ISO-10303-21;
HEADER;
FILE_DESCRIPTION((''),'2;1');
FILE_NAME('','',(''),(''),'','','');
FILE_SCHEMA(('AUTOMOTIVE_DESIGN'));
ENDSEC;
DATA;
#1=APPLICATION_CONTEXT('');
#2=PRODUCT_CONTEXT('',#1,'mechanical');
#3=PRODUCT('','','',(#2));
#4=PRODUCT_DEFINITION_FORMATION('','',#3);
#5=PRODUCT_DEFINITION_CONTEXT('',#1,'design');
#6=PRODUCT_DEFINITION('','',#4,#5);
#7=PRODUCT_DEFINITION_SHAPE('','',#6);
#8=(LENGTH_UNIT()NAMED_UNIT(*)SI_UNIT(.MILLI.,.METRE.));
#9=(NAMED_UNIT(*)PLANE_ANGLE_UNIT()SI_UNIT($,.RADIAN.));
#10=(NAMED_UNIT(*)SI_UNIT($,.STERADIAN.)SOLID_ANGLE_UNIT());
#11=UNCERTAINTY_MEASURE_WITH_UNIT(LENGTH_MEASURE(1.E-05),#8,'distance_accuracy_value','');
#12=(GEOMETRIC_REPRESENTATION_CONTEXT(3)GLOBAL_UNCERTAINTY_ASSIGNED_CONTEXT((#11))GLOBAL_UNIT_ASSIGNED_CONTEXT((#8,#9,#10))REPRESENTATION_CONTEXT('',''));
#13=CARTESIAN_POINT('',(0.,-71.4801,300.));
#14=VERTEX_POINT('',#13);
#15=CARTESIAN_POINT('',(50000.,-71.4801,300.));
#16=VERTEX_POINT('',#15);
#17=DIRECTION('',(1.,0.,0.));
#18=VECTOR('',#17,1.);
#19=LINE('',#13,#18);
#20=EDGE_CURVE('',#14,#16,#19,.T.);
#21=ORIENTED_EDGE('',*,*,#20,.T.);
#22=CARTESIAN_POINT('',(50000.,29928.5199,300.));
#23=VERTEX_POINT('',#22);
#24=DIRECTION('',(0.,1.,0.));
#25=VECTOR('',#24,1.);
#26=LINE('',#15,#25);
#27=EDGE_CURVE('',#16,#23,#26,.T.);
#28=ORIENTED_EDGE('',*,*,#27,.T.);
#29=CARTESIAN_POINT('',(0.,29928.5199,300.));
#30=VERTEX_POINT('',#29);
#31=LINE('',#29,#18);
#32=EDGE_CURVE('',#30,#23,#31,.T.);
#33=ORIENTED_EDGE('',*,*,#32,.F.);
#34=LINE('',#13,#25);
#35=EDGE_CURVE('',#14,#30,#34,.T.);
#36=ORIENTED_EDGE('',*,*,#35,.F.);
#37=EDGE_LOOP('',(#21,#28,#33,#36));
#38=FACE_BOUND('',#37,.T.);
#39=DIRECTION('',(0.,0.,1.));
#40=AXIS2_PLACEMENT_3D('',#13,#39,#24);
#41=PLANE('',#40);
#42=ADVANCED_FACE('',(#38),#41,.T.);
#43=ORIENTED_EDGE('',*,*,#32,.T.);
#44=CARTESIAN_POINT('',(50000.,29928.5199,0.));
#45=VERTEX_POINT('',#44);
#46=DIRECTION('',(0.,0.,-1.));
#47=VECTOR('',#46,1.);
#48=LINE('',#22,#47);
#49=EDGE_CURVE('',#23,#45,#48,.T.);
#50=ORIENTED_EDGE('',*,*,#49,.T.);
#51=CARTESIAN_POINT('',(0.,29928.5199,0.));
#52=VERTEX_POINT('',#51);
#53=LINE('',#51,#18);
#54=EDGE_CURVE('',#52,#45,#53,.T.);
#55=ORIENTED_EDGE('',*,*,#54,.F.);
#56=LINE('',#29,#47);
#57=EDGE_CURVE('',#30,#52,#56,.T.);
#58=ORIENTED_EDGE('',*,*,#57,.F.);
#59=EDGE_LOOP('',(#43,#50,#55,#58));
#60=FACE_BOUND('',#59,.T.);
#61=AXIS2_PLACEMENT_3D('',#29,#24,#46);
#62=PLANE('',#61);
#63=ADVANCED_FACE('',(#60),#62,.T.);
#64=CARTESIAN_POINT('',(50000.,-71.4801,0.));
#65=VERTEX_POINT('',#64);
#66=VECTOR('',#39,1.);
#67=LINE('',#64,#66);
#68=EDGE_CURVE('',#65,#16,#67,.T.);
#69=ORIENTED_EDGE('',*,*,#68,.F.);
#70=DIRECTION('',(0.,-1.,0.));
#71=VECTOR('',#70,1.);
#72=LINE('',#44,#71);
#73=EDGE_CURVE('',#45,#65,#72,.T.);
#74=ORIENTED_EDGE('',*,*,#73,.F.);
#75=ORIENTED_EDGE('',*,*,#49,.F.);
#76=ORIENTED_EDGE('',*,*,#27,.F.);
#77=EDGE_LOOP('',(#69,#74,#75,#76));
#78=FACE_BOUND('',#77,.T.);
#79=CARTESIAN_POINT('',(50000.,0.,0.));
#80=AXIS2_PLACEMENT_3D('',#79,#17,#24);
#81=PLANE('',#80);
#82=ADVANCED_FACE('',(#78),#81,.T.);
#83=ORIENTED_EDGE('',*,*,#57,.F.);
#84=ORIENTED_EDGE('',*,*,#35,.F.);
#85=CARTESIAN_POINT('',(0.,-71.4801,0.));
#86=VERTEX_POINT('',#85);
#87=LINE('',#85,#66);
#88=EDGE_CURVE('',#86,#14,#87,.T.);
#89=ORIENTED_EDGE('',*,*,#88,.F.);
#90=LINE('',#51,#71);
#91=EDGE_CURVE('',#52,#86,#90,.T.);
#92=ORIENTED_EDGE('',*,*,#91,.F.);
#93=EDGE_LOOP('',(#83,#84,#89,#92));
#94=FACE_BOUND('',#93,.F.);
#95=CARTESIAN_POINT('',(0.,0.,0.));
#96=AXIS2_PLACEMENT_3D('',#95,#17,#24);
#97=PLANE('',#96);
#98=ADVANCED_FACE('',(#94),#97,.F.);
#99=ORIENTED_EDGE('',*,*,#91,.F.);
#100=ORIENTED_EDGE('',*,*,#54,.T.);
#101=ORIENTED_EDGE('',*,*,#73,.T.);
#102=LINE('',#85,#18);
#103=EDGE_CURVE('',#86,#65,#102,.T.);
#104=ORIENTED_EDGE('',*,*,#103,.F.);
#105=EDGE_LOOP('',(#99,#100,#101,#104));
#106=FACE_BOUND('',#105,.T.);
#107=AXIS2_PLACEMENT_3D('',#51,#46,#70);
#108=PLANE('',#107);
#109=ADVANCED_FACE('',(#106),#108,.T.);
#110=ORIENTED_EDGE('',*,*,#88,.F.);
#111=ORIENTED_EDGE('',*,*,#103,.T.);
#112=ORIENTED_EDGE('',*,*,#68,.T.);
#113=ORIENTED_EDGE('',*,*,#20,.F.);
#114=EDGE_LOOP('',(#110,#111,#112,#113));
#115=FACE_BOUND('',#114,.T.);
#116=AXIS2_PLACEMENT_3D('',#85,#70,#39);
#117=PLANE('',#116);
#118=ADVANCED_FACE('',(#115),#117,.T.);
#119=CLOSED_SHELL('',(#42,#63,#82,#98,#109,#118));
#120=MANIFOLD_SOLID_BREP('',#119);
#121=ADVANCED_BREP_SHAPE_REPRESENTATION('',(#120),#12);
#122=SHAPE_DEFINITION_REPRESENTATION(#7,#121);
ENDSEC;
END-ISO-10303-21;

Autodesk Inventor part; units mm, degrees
ref_plane "YZ Plane" through (0, 0, 0) normal (1, 0, 0) x (0, 1, 0)
ref_plane "XZ Plane" through (0, 0, 0) normal (0, 1, 0) x (-1, 0, 0)
ref_plane "XY Plane" through (0, 0, 0) normal (0, 0, 1) x (1, 0, 0)
sketch "Sketch1" plane through (0, 0, 0) normal (1, 0, 0) x (0, 1, 0)
  line L0 (-71.4801, 300) -> (29928.5199, 300)
  line L1 (29928.5199, 300) -> (29928.5199, 0)
  line L2 (29928.5199, 0) -> (-71.4801, 0)
  line L3 (-71.4801, 0) -> (-71.4801, 300)
  point P0 (0, 0)
  dimension "d0" = 30000
  dimension "d1" = 300
extrude "Extrusion1" add sketch "Sketch1" along normal blind 50000
sketch "Sketch6" plane through (0, -71.4801, 300) normal (0, 0, 1) x (1, 0, 0)
  line L0 (0, 30000) -> (0, 0) projected
  circle A0 centre (0, 0) radius 2.5
  line L1 (3.2758, -2.2394) -> (5.0975, -2.2394)
  circle A1 centre (2000000, 0) radius 2.5
  circle A2 centre (4000000, 0) radius 2.5
  circle A3 centre (6000000, 0) radius 2.5
  circle A4 centre (8000000, 0) radius 2.5
  circle A5 centre (10000000, 0) radius 2.5
  circle A6 centre (12000000, 0) radius 2.5
  circle A7 centre (14000000, 0) radius 2.5
  circle A8 centre (16000000, 0) radius 2.5
  circle A9 centre (18000000, 0) radius 2.5
  circle A10 centre (20000000, 0) radius 2.5
  circle A11 centre (22000000, 0) radius 2.5
  circle A12 centre (24000000, 0) radius 2.5
  circle A13 centre (26000000, 0) radius 2.5
  circle A14 centre (28000000, 0) radius 2.5
  circle A15 centre (30000000, 0) radius 2.5
  circle A16 centre (32000000, 0) radius 2.5
  circle A17 centre (34000000, 0) radius 2.5
  circle A18 centre (36000000, 0) radius 2.5
  circle A19 centre (38000000, 0) radius 2.5
  circle A20 centre (40000000, 0) radius 2.5
  circle A21 centre (42000000, 0) radius 2.5
  circle A22 centre (44000000, 0) radius 2.5
  circle A23 centre (46000000, 0) radius 2.5
  circle A24 centre (48000000, 0) radius 2.5
  dimension "d21" = 5
  dimension "d24" = 2000000
sketch "Sketch7" plane through (0, 0, 0) normal (-1, 0, 0) x (0, 0, 1)
  line L0 (300, 29928.5199) -> (300, -71.4801) projected
  point P0 (0, 0)
  point P1 (300, 29928.52)
